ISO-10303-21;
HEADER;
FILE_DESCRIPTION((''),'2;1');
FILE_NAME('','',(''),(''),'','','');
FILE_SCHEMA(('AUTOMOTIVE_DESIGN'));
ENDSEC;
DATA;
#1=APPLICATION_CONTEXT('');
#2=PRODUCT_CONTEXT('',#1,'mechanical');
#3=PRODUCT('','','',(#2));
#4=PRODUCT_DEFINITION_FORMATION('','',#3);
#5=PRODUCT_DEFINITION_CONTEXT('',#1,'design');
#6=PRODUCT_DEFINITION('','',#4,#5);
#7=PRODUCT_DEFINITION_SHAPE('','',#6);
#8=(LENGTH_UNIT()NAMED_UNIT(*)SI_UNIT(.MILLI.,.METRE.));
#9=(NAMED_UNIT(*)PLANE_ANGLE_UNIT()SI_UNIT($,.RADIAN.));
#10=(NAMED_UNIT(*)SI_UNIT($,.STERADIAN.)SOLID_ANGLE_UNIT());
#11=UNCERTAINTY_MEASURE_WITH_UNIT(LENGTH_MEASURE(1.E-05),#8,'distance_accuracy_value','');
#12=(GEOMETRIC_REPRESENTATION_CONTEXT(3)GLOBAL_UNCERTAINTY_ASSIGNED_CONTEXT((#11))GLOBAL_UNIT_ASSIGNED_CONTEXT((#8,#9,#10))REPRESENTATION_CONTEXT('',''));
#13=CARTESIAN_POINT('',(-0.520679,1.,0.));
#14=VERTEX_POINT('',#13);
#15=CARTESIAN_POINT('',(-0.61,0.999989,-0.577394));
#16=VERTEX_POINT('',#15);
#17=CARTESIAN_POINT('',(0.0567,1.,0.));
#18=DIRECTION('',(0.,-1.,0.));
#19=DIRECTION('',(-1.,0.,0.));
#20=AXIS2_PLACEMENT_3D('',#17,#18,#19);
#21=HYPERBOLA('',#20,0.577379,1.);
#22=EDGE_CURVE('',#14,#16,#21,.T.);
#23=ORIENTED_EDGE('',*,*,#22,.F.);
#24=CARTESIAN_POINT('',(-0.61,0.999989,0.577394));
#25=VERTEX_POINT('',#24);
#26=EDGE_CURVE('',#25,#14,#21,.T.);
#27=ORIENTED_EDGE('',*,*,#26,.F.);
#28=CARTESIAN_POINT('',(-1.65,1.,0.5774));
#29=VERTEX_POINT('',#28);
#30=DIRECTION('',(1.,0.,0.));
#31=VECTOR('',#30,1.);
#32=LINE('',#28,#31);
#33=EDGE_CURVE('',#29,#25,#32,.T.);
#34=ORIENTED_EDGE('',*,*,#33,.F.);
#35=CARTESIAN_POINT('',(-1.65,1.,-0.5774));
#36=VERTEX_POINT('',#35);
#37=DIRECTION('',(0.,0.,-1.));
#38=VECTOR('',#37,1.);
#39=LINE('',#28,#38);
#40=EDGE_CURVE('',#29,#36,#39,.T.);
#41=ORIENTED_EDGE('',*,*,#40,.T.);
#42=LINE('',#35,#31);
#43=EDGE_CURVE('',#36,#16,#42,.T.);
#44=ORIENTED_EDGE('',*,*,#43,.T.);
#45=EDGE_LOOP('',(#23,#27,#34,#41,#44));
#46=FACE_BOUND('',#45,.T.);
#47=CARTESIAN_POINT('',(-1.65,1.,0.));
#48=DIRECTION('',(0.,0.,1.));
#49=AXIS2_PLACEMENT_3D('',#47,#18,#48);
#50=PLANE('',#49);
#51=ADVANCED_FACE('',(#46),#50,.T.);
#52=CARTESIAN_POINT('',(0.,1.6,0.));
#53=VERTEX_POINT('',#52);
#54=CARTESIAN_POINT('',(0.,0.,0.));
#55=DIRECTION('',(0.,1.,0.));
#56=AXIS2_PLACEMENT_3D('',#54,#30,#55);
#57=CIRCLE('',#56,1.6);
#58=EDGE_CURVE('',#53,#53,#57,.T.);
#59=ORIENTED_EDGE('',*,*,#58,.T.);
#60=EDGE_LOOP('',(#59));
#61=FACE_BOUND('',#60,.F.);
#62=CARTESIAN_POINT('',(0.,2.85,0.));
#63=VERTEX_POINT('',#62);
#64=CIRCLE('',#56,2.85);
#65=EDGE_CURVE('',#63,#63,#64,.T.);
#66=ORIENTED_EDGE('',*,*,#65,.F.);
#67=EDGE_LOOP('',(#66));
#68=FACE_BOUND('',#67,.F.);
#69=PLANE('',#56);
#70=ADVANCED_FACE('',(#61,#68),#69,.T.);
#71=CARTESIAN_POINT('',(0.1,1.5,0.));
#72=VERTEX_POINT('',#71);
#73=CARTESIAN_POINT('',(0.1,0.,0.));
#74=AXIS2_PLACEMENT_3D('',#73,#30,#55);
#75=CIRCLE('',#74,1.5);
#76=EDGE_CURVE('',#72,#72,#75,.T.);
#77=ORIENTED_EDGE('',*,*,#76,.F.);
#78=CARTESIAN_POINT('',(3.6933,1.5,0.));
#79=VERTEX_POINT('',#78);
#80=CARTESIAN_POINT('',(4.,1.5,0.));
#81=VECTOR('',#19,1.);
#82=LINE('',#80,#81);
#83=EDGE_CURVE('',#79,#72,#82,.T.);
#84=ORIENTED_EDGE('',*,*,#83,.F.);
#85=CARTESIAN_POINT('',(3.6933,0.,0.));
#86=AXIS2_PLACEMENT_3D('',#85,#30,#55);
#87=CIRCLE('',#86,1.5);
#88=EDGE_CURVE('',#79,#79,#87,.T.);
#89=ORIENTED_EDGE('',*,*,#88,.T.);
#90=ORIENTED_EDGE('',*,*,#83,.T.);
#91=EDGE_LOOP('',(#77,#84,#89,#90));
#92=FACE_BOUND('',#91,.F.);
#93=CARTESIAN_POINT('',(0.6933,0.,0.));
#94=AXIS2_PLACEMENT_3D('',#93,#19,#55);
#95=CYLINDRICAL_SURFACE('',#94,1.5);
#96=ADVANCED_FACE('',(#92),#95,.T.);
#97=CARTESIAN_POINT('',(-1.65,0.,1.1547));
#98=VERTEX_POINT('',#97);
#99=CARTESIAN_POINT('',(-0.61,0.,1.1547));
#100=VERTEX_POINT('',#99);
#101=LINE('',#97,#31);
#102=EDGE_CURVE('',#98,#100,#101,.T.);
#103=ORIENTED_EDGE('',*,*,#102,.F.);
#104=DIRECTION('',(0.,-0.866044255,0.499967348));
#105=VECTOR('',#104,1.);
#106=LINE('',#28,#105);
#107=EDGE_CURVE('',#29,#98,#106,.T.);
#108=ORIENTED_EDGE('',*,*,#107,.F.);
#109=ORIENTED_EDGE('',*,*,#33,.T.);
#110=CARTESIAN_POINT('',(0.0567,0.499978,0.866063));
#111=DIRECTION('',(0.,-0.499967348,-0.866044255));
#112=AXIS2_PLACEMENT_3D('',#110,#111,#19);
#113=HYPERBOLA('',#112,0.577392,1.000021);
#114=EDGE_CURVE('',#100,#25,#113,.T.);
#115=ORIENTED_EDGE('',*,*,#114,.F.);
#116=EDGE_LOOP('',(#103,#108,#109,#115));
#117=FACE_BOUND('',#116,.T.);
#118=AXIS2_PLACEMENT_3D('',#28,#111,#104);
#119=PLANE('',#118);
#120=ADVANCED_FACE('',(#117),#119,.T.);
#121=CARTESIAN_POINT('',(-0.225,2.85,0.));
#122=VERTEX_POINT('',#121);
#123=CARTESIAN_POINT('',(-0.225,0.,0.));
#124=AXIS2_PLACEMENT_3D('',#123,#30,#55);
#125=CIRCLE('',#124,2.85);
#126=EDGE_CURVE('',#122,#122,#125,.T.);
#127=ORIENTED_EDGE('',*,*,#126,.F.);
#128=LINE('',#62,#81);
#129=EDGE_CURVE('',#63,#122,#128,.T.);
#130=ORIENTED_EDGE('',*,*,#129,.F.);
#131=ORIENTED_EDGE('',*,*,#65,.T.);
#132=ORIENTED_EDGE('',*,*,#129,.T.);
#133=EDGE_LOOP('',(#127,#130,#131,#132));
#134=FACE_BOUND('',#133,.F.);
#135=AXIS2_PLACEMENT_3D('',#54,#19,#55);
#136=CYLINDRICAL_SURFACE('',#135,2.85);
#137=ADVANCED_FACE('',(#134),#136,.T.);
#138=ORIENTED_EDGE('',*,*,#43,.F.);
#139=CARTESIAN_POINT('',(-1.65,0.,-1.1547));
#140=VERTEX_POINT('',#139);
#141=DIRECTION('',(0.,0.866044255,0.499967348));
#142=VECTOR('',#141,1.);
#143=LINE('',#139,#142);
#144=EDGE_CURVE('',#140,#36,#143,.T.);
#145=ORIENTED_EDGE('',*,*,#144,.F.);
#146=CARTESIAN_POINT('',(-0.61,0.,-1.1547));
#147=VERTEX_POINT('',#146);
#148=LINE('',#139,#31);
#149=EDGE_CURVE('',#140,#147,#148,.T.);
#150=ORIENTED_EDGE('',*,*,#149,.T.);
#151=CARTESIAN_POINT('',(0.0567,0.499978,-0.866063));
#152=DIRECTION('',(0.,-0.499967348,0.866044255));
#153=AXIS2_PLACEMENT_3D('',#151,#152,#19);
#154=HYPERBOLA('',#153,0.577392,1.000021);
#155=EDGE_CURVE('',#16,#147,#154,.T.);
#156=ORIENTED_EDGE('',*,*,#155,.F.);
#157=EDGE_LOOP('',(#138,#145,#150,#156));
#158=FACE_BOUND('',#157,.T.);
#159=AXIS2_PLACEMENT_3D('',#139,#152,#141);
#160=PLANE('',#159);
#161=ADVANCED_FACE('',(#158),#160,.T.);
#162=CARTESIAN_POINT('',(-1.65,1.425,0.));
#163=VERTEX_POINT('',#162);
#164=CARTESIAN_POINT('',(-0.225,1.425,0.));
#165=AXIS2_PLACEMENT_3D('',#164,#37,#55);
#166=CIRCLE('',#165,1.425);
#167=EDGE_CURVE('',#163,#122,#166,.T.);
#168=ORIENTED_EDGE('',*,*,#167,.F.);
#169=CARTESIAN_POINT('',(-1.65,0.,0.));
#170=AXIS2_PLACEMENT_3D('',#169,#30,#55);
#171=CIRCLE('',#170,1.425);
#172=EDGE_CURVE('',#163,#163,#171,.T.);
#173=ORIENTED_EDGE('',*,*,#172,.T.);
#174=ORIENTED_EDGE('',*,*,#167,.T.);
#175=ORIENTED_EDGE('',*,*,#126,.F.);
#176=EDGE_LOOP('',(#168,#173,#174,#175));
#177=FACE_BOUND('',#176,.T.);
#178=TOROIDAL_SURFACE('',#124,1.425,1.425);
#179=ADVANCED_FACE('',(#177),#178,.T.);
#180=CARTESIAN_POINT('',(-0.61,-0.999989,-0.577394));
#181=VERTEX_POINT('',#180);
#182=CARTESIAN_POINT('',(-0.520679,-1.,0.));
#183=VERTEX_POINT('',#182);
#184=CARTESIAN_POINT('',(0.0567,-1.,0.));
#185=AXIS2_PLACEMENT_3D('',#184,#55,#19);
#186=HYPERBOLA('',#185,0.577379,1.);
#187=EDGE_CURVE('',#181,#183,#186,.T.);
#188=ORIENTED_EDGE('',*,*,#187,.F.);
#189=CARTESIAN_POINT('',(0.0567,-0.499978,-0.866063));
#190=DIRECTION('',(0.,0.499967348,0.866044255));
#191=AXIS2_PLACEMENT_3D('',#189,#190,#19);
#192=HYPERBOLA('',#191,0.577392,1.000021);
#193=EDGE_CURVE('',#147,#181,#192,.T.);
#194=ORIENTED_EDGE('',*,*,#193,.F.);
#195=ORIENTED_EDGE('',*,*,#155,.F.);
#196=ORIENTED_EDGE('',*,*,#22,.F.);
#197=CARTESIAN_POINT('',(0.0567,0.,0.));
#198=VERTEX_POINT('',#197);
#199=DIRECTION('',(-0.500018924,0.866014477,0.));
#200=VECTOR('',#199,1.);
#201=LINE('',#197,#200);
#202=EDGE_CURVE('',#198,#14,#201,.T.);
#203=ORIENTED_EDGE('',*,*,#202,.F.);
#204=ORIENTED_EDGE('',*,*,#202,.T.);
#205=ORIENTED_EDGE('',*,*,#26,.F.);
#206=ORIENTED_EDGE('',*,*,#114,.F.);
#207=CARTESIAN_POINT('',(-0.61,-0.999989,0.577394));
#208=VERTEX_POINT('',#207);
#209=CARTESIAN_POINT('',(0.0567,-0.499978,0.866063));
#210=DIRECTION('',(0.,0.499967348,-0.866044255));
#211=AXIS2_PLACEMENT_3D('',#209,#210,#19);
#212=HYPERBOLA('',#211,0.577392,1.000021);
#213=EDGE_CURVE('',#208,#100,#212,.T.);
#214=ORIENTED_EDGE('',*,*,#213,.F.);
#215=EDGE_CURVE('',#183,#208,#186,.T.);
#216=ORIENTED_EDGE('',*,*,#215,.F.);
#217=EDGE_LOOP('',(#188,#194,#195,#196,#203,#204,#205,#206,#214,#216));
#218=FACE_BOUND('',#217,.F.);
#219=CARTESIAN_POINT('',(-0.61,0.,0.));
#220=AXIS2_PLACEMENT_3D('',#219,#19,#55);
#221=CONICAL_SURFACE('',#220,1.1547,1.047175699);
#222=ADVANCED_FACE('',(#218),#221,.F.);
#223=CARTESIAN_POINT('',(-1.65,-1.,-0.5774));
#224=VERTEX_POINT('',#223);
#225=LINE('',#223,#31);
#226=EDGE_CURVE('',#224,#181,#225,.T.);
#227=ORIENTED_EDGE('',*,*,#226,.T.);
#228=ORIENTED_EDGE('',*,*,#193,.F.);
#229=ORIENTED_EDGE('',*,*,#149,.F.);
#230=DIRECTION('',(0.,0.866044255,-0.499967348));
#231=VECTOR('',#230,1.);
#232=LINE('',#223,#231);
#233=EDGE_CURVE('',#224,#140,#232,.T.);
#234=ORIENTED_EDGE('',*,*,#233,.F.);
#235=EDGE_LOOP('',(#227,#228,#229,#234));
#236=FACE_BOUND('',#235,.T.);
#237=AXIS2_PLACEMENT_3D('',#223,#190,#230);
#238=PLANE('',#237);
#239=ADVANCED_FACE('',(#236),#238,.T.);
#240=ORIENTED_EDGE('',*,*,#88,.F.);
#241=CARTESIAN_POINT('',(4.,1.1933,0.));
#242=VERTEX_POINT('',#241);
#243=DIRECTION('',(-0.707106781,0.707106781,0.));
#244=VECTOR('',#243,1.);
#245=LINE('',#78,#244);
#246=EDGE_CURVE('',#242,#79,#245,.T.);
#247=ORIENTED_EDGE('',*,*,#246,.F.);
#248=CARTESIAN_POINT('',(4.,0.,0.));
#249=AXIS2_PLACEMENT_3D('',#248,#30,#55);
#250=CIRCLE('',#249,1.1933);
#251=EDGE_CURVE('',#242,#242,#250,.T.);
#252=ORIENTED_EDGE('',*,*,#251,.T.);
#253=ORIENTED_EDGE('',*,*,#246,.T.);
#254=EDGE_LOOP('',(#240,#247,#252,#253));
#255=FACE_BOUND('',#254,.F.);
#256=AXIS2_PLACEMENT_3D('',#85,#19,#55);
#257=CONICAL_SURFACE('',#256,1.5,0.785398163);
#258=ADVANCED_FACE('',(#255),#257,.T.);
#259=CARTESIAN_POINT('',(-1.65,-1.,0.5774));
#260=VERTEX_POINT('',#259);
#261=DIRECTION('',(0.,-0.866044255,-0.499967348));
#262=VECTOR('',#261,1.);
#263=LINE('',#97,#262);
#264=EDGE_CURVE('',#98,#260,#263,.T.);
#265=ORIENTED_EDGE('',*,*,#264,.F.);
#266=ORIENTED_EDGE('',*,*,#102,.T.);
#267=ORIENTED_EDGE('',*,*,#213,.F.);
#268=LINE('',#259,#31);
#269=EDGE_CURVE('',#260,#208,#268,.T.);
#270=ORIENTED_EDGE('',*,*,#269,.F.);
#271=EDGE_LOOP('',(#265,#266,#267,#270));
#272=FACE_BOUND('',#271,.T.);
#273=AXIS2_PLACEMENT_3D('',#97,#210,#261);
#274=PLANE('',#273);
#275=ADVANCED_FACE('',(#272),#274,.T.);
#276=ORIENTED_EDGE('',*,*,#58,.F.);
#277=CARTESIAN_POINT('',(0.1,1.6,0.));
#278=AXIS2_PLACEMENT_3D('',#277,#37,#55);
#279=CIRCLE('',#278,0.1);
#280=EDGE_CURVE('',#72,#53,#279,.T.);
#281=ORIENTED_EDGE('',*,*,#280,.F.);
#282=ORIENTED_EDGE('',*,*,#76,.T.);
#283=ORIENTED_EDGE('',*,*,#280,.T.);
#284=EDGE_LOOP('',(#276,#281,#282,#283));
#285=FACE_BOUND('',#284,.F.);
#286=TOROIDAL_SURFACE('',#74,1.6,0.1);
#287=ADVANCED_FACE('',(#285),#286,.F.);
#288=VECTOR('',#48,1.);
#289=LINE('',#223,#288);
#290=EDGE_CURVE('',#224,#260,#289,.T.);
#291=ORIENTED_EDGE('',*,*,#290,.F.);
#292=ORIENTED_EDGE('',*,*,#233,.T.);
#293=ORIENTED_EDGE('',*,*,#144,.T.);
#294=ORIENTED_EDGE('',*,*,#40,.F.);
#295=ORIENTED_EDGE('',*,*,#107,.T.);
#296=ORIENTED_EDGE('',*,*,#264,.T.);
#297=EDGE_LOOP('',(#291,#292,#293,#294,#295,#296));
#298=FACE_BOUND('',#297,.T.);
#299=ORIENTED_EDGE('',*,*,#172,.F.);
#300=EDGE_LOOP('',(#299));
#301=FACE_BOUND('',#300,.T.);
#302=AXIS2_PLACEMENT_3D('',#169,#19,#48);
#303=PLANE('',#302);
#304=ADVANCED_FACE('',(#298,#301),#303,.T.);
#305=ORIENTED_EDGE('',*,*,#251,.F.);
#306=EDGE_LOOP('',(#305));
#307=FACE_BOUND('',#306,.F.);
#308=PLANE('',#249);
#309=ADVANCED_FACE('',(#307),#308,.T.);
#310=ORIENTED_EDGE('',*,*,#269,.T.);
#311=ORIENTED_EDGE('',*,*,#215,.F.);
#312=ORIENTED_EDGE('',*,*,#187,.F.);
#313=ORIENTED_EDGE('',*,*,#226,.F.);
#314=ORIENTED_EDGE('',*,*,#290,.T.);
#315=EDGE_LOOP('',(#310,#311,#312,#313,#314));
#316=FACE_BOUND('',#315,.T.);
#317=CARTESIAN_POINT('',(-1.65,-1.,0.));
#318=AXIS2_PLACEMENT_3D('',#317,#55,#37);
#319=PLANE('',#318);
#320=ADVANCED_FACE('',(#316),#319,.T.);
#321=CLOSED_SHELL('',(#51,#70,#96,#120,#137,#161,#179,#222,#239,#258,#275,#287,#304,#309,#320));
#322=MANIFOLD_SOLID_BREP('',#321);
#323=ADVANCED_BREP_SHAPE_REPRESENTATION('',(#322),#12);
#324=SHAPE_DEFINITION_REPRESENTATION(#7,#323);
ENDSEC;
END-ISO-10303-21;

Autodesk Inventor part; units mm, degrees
ref_plane "YZ Plane" through (0, 0, 0) normal (1, 0, 0) x (0, 1, 0)
ref_plane "XZ Plane" through (0, 0, 0) normal (0, 1, 0) x (-1, 0, 0)
sketch "Sketch1" plane through (0, 0, 0) normal (0, 0, 1) x (1, 0, 0)
  line L0 (0.0567, 0) -> (4, 0)
  line L1 (4, 0) -> (4, 1.5)
  line L2 (4, 1.5) -> (1, 1.5)
  line L3 (1, 1.5) -> (0.6933, 1.5)
  line L4 (0.6933, 1.5) -> (0, 1.5)
  line L5 (0, 1.5) -> (0, 2.85)
  line L6 (0, 2.85) -> (-1.65, 2.85)
  line L7 (-1.65, 2.85) -> (-1.65, 1.1547)
  line L8 (-1.65, 1.1547) -> (-0.61, 1.1547)
  line L9 (-0.61, 1.1547) -> (0.0567, 0)
  line L10 (-2.78, 0) -> (5.13, 0) projected
  line L11 (0, -0.57) -> (0, 3.42) projected
  line L12 (1, 1.5) -> (0, 1.5) construction
  dimension "d0" = 3
  dimension "d1" = 0.3067
  dimension "d2" = 1.65
  dimension "d3" = 1.04
  dimension "d4" = 60
  dimension "d5" = 3
  dimension "d6" = 3
  dimension "d7" = 2.3094
  dimension "d8" = 5.7
  dimension "d19" = 4
revolve "Body" add sketch "Sketch1" angle 360 about axis through (0.0567, 0, 0) along (1, 0, 0) contours L9 L11 L4 L3 L2 L1 L0 | L9 L8 L7 L6 L5 L11
sketch "Sketch2" plane through (-1.65, 0, 0) normal (-1, 0, 0) x (0, 0, 1)
  circle A0 centre (0, 0) radius 1.1547 projected
  line L0 (0, -3.99) -> (0, 3.99) projected
  line L1 (-3.99, 0) -> (3.99, 0) projected
  line L2 (1.1547, 0) -> (0.5774, -1)
  line L3 (0.5774, -1) -> (-0.5774, -1)
  line L4 (-0.5774, -1) -> (-1.1547, 0)
  line L5 (-1.1547, 0) -> (-0.5774, 1)
  line L6 (-0.5774, 1) -> (0.5774, 1)
  line L7 (0.5774, 1) -> (1.1547, 0)
extrude "Slot" add sketch "Sketch2" against normal up to next contours L7 A0 | A0 L2 | L6 L0 A0 | A0 L0 L3 | L0 L6 A0 | A0 L3 L0 | L4 A0 | A0 L5
fillet "Fillet1" radius 1.425 1 edges at (-1.65, -2.85, 0)
thread "Thread" size "M3x0.5" class "4g6g" standard "ANSI Metric M Profile" length 3
chamfer "Chamfer1" distance 0.3067 distance2 0.3067 1 edges at (4, -1.5, 0) measured on face at (4, -0.2617, -0.7882)
fillet "Fillet2" radius 0.1 1 edges at (0, -1.5, 0)
ref_plane "Work Plane1" through (30, 0, 0) normal (0, -0.5, 0.866) x (1, 0, 0)
equation "\"d16\" = RR"
equation "\"d12\" = GEL"
equation "\"d14\" = -0.5 * SPD + 0.5 * GD"
equation "\"d15\" = GUL"
equation "\"d29\" = R"
equation "\"d0\" = GEL"
equation "\"d1\" = GAL"
equation "\"d2\" = KOH"
equation "\"d3\" = INTI"
equation "\"d5\" = GD"
equation "\"d6\" = BDM"
equation "\"d7\" = 1.1547 * SW"
equation "\"d8\" = KOD"
equation "\"d19\" = NLG"
equation "\"GD\" = NND"
equation "\"NLG\" = 4"
equation "\"GEL\" = 3"
equation "\"KOD\" = 5.7"
equation "\"KOH\" = 1.65"
equation "\"INTI\" = 1.04"
equation "\"GAL\" = 0.61345 * PTC"
equation "\"GUL\" = 0.61345 * PTC"
equation "\"BDM\" = NND"
equation "\"SW\" = 2"
equation "\"RR\" = 1.425"
equation "\"SPD\" = 2.38655"
equation "\"d28\" = R"
equation "\"R\" = 0.1"
equation "\"TOA\" = 30deg"
equation "\"THREADDIA\" = 3"
equation "\"KOD1\" = KOD - 2 * RR"
equation "\"PTC\" = 0.5"
equation "\"NND\" = 3"
equation "\"E0\" = 1.155 * SW"
equation "\"GD1\" = THREADDIA - 1.2269 * PTC"
properties part number "ANSI B18.3.4M - M3 x 0.5 x 4, BHSBHCSM" material "Steel, Mild"
